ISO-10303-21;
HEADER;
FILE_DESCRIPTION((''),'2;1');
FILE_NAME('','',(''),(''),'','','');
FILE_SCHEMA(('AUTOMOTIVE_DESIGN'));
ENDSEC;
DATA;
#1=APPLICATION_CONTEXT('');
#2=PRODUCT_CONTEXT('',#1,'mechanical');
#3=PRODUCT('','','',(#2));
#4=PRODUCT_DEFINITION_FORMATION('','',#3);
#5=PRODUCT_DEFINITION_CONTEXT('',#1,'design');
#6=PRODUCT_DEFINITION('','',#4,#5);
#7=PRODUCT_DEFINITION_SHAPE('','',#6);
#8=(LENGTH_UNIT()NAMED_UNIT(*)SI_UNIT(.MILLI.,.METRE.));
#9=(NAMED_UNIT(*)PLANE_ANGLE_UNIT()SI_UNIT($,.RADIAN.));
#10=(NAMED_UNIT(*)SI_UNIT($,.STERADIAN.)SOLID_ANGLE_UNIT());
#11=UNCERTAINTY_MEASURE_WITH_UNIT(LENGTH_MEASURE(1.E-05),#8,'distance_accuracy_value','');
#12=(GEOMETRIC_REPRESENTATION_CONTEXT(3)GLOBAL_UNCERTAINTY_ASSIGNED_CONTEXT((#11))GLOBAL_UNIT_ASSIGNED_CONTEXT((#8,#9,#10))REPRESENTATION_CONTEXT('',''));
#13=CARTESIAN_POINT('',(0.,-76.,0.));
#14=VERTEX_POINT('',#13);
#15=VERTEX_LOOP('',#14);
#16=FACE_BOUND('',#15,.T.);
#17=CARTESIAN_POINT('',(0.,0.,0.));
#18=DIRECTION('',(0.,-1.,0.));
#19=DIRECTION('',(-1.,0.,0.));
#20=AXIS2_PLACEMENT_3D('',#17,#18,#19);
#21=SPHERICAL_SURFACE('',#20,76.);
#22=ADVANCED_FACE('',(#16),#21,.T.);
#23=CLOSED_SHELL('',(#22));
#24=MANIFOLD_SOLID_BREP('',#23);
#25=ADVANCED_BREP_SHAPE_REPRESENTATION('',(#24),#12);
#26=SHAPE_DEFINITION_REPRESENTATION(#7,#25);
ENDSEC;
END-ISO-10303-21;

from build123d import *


with BuildPart() as part:
    # Sketch1 → Revolve3 (revolve)
    with BuildSketch(Plane.XY):
        with BuildLine():
            Line((0, 0), (0, 76))
            ThreePointArc((0, 76), (-76, 0), (0, -76))
            Line((0, -76), (0, 0))
        make_face()
    revolve(axis=Axis((0, 0, 0), (0, 1, 0)))


solid = part.part
